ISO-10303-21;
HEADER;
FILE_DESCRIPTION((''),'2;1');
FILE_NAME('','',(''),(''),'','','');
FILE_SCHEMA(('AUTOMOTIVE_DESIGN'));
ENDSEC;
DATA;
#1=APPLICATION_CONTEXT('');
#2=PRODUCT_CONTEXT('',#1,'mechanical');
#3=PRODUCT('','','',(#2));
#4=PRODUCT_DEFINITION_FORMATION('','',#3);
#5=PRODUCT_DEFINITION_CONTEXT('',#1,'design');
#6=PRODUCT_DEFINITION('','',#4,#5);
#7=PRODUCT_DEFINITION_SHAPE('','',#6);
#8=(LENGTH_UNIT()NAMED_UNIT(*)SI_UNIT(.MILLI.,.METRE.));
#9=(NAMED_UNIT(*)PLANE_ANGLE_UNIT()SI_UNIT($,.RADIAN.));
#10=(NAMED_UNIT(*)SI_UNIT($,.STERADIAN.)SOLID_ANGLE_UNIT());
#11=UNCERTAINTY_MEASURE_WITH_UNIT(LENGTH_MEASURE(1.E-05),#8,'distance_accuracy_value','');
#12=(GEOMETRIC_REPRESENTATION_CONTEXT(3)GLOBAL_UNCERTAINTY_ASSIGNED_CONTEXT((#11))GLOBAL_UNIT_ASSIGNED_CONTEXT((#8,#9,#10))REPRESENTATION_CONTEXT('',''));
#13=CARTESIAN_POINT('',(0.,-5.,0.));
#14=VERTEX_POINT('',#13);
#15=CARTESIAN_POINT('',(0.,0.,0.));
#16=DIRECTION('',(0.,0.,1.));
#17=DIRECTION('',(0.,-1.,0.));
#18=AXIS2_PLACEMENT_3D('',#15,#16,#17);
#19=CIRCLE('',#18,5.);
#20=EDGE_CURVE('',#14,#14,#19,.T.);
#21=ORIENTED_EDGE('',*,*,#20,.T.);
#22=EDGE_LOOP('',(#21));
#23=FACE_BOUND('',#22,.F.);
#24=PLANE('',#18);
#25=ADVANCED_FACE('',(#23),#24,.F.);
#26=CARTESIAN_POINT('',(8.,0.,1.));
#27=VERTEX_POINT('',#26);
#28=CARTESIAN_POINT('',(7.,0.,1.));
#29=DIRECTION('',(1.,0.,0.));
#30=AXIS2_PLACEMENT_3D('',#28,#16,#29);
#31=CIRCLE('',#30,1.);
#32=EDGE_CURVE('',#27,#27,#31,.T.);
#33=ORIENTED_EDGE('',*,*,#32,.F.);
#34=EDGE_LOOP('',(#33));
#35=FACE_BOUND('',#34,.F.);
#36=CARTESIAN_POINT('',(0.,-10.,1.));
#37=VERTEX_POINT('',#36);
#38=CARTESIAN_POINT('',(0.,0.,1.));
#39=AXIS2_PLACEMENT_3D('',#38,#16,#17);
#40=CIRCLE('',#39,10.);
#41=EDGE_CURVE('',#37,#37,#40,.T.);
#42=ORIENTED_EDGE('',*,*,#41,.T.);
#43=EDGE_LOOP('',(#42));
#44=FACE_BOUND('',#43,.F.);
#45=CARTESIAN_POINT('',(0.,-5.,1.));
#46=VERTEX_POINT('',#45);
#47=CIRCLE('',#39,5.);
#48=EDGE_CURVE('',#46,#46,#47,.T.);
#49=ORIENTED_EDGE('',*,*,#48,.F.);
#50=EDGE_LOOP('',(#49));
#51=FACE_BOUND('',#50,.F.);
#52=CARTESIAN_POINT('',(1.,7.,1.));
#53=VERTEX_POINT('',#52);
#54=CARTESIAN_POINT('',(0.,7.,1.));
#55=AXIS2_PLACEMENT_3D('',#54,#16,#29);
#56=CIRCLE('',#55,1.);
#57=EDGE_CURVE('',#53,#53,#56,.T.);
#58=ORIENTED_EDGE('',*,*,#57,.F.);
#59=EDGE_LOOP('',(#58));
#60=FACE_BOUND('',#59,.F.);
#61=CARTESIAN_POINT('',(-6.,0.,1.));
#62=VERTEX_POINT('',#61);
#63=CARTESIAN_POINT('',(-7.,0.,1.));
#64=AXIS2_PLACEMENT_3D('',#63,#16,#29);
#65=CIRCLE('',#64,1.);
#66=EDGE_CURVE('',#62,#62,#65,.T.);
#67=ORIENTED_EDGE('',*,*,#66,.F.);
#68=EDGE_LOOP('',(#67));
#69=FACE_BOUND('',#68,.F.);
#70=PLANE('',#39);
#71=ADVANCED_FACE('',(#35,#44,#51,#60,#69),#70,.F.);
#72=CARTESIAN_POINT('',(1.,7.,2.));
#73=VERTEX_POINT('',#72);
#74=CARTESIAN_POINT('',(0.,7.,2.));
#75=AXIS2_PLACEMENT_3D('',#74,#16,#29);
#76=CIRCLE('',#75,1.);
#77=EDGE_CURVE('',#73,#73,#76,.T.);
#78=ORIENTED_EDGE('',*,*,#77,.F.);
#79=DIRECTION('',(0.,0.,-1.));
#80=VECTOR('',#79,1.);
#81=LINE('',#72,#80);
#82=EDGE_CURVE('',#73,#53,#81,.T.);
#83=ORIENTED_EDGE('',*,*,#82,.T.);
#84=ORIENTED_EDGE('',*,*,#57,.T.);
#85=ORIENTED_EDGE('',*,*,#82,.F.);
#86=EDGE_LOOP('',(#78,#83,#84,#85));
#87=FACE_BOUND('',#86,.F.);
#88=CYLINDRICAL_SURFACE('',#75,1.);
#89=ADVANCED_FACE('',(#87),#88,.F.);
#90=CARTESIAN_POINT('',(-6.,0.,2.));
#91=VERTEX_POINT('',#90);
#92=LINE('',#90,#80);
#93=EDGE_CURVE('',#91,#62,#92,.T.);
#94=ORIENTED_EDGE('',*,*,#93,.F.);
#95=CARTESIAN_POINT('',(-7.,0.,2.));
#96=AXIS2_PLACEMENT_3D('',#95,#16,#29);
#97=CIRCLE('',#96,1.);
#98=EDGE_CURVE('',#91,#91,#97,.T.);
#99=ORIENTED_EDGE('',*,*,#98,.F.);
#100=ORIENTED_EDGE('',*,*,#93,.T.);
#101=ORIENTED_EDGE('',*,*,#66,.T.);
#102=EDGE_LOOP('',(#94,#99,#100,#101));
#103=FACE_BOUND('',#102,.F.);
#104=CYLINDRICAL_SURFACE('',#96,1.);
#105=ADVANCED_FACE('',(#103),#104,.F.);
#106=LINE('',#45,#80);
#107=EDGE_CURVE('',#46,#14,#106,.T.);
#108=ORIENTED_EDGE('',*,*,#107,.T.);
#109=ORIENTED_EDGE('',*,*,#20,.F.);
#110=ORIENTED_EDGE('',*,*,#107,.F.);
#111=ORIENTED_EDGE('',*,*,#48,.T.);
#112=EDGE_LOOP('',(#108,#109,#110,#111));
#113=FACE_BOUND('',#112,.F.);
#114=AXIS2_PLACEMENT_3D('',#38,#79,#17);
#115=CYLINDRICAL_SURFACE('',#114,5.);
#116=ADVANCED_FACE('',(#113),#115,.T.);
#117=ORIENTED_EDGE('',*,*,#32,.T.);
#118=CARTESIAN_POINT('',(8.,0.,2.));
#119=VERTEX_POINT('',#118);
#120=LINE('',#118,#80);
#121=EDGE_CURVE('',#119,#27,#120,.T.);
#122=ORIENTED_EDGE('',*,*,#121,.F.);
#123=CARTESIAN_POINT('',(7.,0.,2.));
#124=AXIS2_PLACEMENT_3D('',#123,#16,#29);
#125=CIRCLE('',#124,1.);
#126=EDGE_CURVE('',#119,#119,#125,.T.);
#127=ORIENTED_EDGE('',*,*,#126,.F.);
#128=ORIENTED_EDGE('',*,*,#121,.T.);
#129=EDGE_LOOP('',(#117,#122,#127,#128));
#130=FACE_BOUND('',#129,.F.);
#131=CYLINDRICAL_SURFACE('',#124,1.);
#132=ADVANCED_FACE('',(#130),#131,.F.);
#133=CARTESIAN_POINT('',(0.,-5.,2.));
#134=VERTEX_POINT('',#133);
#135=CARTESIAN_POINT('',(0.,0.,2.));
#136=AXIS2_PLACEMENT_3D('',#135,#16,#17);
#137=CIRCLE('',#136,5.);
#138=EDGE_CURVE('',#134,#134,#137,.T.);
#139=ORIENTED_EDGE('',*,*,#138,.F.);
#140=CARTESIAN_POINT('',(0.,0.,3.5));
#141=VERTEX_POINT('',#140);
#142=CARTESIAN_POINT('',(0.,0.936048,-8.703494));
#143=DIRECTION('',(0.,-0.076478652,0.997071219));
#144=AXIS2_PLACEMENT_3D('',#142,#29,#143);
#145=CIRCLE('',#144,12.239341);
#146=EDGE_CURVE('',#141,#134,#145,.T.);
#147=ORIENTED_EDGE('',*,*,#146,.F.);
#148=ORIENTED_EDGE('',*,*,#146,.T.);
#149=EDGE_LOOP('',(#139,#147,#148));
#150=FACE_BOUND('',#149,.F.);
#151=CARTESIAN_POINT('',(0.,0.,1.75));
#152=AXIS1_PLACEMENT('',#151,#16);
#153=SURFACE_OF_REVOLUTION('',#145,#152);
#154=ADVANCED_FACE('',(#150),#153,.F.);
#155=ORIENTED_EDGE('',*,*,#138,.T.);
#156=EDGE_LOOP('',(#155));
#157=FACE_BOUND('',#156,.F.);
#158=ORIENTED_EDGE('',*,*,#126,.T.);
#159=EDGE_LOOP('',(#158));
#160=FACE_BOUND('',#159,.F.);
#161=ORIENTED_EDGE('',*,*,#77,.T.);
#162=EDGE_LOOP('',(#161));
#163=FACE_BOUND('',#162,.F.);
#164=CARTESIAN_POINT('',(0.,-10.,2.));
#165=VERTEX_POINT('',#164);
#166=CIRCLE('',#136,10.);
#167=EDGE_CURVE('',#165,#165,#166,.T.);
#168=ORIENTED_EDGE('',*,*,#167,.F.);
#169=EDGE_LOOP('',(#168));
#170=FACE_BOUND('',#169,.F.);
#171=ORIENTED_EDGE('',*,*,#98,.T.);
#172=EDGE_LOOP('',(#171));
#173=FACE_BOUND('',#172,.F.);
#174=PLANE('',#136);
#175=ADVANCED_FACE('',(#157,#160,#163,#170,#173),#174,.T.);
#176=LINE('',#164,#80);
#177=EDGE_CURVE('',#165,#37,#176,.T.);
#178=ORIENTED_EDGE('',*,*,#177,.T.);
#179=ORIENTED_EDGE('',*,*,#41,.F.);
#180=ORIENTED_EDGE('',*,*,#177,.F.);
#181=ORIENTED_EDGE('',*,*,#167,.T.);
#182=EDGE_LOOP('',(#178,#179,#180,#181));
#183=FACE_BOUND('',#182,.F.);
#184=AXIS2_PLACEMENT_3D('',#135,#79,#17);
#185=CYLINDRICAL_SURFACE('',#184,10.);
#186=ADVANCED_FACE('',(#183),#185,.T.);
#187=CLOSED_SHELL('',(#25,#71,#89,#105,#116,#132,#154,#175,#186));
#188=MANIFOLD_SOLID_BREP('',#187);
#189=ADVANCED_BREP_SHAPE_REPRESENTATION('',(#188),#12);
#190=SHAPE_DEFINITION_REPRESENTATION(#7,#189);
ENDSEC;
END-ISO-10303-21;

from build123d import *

# Parameters (mm, degrees)
F2_R     = 1
F3_DEPTH = 5


with BuildPart() as f1:
    # F0 (on Right) → F1 (revolve)
    with BuildSketch(Plane.YZ):
        with BuildLine():
            Line((-5, 0), (0, 0))
            Line((0, 0), (0, 3.5))
            ThreePointArc((0, 3.5), (-2.5809, 3.019668), (-5, 2))
            Line((-5, 2), (-10, 2))
            Line((-10, 2), (-10, 1))
            Line((-10, 1), (-5, 1))
            Line((-5, 1), (-5, 0))
        make_face()
    revolve(axis=Axis((0, 0, 1.75), (0, 0, 1)))

    # F2 (on face) → F3 (cut)
    with BuildSketch(Plane.XY.offset(2)):
        with Locations((0, 7)):
            Circle(F2_R)
        with Locations((-7, 0)):
            Circle(F2_R)
        with Locations((7, 0)):
            Circle(F2_R)
    extrude(amount=-F3_DEPTH, mode=Mode.SUBTRACT)


solid = f1.part
